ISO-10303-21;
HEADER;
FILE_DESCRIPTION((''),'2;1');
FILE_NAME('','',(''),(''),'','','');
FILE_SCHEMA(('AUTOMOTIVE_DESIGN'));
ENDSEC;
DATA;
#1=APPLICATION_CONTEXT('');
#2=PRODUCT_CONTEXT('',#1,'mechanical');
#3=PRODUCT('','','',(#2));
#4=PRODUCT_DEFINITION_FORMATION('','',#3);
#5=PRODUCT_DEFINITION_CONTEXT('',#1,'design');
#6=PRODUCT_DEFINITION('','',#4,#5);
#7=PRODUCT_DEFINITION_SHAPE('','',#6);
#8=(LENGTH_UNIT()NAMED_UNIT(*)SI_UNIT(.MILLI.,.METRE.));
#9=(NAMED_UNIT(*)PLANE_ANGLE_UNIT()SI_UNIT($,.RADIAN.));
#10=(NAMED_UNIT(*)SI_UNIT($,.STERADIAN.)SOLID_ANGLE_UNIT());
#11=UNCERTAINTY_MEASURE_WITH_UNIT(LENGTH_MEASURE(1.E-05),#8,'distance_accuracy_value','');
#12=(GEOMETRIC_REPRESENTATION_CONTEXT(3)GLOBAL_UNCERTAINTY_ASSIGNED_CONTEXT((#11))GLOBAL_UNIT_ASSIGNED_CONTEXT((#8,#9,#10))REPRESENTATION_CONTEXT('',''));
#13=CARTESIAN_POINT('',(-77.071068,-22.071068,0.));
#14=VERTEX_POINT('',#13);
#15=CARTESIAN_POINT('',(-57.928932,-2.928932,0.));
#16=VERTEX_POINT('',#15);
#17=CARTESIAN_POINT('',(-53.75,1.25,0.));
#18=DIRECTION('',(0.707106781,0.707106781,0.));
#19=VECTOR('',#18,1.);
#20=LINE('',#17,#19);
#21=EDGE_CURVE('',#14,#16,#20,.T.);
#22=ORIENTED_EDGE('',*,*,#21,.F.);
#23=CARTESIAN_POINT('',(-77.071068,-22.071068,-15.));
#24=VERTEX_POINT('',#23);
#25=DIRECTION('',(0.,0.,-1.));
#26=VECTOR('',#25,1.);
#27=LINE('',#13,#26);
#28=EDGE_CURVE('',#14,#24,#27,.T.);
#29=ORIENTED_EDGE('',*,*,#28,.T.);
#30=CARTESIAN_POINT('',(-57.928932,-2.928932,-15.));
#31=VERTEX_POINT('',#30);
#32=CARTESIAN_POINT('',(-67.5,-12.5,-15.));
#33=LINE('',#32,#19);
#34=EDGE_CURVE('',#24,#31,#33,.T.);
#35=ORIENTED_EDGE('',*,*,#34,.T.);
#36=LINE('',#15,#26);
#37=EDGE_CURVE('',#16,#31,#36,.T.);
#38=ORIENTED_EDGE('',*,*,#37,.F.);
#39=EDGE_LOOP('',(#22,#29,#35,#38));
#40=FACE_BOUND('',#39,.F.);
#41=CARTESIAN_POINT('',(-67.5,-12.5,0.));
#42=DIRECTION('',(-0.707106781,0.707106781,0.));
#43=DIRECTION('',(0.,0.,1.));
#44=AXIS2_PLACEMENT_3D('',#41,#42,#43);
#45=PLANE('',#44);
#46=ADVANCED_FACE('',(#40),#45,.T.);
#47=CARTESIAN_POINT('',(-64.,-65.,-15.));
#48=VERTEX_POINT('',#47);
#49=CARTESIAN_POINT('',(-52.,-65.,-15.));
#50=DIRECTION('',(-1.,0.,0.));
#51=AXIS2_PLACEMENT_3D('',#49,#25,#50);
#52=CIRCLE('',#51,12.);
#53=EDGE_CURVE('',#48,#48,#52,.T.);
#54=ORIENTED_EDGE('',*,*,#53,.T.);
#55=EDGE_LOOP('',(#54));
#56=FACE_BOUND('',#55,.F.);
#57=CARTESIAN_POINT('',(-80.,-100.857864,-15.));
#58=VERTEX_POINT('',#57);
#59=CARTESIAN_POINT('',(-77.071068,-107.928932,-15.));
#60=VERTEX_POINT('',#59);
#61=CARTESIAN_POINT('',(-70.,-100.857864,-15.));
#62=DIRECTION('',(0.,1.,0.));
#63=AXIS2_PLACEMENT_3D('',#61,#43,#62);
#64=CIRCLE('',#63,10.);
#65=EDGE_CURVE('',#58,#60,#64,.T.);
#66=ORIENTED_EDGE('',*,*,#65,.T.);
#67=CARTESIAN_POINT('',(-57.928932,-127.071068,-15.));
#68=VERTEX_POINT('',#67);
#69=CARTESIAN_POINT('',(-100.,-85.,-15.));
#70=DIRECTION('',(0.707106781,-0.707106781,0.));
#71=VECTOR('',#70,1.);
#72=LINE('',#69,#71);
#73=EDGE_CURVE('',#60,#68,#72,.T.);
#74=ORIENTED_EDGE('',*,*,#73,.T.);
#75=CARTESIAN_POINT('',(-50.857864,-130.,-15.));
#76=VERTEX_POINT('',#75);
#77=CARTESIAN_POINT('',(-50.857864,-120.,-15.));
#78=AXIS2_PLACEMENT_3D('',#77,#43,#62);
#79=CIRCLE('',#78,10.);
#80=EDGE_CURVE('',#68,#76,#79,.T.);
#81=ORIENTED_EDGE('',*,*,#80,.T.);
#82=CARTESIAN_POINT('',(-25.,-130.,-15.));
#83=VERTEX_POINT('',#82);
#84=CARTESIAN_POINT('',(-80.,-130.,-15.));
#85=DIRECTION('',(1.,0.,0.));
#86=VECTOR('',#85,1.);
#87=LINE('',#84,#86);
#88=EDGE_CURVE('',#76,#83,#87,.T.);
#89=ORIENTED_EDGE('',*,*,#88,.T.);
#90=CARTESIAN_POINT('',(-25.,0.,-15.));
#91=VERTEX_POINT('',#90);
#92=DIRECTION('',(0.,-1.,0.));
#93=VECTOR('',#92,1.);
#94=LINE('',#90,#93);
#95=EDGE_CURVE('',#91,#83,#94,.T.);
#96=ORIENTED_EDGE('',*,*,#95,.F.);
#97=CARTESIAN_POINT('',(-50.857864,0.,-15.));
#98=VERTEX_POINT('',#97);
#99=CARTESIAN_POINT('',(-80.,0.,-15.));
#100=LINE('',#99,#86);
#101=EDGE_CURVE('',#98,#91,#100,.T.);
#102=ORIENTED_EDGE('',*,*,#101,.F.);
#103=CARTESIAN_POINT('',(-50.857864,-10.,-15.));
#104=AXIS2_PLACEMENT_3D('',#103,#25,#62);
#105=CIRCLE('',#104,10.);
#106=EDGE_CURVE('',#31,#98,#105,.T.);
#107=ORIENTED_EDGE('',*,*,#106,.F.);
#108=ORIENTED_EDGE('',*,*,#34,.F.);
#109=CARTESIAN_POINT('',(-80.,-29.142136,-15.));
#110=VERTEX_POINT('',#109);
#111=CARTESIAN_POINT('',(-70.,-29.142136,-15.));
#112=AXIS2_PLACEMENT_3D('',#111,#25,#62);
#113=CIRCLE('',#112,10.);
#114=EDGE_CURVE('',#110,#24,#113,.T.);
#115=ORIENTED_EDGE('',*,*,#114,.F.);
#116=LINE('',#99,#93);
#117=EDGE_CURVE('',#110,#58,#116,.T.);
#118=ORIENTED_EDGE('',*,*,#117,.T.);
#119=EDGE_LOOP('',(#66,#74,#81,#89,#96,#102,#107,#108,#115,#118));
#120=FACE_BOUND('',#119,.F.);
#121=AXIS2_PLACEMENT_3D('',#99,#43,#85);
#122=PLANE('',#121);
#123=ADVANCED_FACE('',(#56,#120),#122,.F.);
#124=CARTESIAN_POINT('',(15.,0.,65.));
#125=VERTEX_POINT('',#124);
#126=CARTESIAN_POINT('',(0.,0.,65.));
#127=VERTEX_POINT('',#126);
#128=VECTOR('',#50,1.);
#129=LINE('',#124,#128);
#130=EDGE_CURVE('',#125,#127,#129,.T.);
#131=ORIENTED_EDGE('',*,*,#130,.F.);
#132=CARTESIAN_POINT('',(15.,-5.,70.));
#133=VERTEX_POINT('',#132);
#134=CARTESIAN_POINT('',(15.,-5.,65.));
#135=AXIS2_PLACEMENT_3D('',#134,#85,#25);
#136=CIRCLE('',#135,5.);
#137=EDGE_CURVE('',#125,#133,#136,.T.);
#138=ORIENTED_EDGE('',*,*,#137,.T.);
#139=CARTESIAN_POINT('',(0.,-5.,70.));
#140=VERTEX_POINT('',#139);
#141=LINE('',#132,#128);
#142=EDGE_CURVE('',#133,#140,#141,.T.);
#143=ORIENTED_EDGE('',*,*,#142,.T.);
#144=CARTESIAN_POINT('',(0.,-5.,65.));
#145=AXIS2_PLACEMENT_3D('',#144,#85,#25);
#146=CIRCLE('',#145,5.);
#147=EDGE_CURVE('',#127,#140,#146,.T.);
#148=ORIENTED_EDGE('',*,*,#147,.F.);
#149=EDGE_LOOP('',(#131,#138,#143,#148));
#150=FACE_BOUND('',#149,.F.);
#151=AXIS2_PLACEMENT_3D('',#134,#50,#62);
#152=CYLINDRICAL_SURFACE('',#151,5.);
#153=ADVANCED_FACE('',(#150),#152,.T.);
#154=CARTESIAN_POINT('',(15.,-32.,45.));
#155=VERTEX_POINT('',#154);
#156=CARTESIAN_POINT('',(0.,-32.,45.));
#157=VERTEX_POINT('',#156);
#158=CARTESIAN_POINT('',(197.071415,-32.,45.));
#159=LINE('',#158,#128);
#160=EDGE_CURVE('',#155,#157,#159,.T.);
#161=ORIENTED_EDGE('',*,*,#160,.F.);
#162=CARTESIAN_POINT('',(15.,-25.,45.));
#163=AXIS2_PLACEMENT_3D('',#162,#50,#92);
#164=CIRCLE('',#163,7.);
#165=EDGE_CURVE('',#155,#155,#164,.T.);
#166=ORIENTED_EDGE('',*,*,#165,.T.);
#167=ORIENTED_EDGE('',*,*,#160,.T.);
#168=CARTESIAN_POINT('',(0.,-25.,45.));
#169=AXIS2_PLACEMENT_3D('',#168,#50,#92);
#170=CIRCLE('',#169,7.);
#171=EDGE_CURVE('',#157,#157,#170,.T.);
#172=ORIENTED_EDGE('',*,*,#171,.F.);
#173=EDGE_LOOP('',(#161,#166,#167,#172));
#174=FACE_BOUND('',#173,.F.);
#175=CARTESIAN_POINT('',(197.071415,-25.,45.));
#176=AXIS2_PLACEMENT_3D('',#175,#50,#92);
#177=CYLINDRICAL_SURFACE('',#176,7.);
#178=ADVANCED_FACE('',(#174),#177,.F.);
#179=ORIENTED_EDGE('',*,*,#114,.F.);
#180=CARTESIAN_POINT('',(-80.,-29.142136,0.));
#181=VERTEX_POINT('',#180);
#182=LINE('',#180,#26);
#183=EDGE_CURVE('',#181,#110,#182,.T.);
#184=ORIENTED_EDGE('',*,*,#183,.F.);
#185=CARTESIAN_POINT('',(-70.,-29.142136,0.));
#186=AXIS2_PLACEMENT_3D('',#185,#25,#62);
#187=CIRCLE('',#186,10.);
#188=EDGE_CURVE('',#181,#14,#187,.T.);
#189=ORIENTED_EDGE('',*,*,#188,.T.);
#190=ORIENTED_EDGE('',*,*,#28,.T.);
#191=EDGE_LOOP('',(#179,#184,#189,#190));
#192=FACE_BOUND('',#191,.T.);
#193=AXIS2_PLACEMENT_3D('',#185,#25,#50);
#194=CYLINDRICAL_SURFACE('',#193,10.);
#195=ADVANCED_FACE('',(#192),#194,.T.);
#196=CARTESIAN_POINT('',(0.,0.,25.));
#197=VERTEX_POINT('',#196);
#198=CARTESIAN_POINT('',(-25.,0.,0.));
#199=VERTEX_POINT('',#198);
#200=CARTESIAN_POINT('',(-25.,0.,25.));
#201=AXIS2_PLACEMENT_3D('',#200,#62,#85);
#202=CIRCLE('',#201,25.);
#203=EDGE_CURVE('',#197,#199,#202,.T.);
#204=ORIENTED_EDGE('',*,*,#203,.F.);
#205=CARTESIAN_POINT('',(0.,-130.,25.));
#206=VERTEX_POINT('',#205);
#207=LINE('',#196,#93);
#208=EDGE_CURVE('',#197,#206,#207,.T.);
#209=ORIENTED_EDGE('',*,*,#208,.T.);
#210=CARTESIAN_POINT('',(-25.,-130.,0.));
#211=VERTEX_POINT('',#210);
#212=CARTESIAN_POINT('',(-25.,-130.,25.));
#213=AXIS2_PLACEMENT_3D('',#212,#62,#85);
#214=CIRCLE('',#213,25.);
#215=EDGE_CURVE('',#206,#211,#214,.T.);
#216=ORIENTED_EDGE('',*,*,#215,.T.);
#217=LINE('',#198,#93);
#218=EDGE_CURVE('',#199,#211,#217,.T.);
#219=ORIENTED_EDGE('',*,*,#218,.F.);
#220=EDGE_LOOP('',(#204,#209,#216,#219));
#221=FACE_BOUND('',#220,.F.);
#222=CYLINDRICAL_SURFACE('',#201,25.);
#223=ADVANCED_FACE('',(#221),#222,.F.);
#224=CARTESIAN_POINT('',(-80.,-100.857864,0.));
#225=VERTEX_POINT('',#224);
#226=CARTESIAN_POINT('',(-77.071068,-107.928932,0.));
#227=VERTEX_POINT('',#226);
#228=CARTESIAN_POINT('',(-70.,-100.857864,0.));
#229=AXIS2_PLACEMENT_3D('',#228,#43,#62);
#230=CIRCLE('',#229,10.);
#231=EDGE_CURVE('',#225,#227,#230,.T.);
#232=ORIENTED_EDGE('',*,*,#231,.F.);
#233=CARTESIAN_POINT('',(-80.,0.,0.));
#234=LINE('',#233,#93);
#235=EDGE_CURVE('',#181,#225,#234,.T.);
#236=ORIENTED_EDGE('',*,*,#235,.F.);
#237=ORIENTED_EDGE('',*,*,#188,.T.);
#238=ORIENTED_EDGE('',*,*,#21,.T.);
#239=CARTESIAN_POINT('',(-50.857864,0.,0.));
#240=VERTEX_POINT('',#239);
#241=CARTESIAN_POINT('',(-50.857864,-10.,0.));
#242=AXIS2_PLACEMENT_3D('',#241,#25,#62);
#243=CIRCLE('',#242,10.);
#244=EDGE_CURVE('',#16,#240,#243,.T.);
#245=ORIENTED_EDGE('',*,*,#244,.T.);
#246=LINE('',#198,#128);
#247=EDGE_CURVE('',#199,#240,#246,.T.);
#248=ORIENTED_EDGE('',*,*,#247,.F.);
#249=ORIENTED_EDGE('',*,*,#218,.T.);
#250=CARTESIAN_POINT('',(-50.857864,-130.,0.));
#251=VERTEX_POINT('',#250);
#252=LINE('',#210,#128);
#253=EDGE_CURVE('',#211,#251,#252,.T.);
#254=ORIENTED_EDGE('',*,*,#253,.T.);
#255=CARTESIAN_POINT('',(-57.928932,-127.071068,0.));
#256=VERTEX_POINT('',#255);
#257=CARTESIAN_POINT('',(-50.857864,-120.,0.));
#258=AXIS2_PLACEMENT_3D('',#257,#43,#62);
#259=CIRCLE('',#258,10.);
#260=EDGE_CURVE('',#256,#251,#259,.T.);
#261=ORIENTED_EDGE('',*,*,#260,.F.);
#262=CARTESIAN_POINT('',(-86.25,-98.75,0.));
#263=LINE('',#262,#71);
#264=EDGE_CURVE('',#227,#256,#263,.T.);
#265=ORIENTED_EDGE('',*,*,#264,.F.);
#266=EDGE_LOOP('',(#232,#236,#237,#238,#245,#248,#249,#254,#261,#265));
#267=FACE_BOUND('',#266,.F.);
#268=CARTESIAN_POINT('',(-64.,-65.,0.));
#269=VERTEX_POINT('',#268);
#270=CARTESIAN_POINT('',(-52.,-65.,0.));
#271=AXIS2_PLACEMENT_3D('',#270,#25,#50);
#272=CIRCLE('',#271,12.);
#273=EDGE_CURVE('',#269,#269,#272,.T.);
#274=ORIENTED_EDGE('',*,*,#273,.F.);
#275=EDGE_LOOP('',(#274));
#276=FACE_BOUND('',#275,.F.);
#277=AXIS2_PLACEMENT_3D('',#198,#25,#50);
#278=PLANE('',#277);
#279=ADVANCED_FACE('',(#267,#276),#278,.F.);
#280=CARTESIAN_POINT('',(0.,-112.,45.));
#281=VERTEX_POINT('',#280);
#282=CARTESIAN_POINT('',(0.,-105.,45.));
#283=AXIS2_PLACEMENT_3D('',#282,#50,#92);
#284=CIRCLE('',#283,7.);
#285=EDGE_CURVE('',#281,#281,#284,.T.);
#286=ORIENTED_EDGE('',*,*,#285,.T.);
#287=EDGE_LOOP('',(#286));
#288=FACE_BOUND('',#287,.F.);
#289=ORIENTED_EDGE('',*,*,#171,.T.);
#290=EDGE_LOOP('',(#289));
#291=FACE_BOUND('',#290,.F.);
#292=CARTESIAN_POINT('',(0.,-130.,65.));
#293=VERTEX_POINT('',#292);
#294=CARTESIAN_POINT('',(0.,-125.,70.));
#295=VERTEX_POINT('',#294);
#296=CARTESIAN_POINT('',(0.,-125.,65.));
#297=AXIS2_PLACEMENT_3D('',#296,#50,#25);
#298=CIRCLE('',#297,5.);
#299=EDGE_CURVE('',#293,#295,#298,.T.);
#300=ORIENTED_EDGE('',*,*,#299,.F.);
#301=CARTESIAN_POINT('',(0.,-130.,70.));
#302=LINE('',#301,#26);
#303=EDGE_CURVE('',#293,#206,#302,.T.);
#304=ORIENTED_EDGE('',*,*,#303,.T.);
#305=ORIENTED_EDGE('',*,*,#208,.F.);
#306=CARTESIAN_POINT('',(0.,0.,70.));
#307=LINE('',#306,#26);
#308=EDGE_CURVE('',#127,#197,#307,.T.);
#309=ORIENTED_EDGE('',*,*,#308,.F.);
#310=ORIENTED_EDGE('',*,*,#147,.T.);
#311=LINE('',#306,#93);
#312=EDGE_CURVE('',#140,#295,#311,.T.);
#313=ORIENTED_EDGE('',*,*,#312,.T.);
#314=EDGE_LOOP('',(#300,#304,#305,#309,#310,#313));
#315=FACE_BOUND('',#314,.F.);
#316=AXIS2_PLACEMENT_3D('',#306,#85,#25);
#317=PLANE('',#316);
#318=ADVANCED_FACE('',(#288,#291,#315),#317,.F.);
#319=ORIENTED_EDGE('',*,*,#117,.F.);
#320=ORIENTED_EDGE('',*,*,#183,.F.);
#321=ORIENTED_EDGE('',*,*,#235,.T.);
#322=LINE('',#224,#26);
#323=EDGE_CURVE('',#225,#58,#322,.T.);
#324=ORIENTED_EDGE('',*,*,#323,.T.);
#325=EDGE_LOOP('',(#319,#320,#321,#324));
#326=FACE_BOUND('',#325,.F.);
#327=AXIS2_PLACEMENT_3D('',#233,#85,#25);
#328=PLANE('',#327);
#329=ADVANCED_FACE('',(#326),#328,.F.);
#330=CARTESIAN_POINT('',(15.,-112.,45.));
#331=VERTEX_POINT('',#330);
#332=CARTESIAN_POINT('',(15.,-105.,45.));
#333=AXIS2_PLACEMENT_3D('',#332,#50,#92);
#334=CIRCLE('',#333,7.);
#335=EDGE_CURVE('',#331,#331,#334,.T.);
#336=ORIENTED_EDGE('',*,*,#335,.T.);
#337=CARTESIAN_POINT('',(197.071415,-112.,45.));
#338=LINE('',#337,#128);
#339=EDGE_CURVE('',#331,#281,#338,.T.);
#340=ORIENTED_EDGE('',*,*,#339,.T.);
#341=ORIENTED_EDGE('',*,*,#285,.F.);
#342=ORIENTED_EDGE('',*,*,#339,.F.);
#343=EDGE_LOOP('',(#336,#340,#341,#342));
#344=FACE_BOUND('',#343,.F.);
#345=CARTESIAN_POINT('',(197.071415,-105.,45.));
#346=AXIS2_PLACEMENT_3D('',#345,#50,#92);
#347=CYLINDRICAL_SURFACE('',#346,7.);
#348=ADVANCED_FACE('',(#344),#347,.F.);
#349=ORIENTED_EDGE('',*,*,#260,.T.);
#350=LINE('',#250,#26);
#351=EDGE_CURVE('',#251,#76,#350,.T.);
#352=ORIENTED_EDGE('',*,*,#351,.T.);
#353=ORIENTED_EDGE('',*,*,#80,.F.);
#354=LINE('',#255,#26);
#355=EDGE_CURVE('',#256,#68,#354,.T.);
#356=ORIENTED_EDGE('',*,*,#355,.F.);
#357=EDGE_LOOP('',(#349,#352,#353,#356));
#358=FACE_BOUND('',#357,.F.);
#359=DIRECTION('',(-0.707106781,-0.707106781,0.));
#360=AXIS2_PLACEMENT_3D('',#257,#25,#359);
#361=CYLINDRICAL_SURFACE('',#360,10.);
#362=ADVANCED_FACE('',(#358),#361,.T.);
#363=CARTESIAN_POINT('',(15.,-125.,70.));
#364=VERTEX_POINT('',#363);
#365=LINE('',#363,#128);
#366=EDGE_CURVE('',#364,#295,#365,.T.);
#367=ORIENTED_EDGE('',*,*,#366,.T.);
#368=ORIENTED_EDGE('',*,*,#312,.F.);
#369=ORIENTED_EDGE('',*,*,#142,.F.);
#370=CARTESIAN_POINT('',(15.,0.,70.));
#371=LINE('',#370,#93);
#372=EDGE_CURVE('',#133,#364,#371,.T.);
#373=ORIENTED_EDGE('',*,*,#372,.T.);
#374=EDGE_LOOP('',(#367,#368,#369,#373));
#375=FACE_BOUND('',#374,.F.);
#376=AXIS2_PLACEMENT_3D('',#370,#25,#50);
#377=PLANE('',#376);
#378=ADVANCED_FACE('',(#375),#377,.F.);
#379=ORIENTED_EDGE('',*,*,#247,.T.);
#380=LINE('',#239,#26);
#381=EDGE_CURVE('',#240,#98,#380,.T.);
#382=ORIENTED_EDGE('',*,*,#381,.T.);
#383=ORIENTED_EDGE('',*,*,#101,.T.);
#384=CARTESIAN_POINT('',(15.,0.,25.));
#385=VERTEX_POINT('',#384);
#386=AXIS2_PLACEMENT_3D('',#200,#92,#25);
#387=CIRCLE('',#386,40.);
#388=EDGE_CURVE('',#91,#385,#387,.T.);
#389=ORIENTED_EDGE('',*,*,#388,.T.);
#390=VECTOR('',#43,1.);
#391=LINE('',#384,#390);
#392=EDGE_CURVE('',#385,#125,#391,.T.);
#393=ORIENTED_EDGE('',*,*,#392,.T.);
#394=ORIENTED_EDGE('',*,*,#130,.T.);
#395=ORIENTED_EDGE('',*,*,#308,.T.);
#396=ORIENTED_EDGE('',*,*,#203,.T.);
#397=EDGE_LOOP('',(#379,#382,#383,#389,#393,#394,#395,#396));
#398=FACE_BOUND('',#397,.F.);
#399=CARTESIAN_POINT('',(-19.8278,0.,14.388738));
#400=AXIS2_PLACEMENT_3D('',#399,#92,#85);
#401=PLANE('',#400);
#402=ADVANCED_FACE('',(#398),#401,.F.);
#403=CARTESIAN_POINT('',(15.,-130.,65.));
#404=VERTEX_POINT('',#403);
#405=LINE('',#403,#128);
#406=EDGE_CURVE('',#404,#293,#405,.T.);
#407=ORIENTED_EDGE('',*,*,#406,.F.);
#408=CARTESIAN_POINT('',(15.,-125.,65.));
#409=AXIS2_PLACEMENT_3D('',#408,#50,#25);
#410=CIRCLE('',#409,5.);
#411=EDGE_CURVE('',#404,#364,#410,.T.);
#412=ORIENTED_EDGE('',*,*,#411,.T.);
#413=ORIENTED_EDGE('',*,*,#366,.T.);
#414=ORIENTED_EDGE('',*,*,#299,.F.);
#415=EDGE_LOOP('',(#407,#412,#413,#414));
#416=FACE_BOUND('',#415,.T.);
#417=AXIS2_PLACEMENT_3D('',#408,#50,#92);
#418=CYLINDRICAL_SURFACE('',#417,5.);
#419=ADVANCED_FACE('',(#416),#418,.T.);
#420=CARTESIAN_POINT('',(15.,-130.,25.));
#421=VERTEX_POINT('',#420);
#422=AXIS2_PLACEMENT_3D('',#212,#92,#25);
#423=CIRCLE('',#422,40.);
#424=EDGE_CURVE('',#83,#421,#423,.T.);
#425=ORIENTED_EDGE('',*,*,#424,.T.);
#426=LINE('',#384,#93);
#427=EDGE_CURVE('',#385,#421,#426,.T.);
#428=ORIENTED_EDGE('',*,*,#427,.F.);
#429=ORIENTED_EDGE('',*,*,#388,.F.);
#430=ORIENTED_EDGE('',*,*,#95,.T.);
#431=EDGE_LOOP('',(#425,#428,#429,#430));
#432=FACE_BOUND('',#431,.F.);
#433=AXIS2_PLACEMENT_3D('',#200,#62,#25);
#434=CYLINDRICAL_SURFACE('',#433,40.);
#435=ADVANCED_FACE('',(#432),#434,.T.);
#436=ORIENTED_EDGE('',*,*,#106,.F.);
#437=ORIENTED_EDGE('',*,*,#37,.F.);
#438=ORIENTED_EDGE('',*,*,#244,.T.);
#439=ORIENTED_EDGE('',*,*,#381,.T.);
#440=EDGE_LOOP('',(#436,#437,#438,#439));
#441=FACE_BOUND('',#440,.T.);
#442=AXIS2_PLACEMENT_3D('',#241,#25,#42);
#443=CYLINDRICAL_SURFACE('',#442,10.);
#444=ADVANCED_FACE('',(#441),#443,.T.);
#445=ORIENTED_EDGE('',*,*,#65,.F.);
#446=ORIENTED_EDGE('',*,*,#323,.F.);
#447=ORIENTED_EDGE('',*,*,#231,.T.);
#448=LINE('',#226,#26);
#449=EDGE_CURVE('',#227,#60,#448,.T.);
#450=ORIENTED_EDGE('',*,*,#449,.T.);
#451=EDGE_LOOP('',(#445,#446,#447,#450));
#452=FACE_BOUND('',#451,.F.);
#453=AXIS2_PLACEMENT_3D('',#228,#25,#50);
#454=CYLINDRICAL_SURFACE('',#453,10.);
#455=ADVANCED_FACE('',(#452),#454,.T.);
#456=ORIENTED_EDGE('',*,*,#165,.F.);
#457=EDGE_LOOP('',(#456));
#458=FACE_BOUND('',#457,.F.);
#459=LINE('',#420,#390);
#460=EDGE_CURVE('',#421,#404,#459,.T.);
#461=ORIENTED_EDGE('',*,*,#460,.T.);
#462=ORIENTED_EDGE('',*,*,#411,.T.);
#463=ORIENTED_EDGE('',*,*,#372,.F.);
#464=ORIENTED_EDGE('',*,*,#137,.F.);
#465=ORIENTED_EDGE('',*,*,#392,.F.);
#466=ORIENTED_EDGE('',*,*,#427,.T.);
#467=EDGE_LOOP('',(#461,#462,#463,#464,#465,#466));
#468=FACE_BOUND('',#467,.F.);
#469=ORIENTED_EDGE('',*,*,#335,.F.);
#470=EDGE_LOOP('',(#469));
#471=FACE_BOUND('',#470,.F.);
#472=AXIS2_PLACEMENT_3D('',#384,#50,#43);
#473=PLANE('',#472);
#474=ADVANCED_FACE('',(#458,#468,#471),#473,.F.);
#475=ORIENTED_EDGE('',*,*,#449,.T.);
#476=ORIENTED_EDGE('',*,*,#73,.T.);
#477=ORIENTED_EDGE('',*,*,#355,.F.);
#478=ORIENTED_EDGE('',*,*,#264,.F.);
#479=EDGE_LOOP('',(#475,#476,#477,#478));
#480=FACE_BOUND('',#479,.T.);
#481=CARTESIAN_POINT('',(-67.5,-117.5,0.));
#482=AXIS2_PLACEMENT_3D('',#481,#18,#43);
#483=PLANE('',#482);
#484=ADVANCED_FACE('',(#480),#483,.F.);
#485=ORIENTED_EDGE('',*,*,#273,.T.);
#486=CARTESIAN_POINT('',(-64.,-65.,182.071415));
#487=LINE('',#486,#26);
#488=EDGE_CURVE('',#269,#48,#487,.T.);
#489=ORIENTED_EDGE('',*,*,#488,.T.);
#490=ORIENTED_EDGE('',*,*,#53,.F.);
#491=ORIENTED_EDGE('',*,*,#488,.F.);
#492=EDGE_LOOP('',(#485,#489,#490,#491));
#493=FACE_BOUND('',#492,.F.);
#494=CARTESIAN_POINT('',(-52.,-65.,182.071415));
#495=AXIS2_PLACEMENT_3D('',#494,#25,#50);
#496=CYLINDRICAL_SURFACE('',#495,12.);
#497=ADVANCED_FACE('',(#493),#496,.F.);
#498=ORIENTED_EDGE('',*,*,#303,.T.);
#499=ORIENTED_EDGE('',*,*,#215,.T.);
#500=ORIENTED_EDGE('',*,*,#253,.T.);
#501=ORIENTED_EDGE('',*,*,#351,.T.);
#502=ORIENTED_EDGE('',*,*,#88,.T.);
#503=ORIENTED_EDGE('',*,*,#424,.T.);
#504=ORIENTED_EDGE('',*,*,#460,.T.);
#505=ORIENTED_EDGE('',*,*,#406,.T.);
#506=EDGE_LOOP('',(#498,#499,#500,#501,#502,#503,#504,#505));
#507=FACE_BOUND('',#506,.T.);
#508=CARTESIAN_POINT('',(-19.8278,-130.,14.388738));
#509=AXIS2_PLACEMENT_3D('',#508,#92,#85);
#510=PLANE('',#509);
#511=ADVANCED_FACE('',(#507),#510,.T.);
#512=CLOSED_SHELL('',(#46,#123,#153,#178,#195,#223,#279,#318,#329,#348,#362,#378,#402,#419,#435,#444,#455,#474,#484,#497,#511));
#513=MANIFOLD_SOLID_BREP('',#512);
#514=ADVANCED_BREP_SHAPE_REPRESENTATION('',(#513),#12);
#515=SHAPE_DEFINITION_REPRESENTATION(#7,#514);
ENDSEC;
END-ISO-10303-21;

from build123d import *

# Parameters (mm, degrees)
F1_DEPTH = 130
F2_SIZE  = 25
F4_D     = 24
F6_D     = 14
F7_R     = 10
F8_R     = 5


with BuildPart() as f1:
    # F0 (on Front) → F1 (new body)
    with BuildSketch(Plane.XZ):
        with BuildLine():
            Line((15, 70), (0, 70))
            Line((0, 70), (0, 25))
            ThreePointArc((0, 25), (-7.3223304703, 7.3223304703), (-25, 0))
            Line((-25, 0), (-80, 0))
            Line((-80, 0), (-80, -15))
            Line((-80, -15), (-25, -15))
            ThreePointArc((-25, -15), (3.2842712475, -3.2842712475), (15, 25))
            Line((15, 25), (15, 70))
        make_face()
    extrude(amount=F1_DEPTH)

    # F2
    f2_edges = [f1.edges().sort_by_distance(p)[0] for p in [
        (-80, -130, -7.5),
        (-80, 0, -7.5),
    ]]
    chamfer(f2_edges, length=F2_SIZE)

    # F4 (through all)
    with Locations(Plane.XY):
        with Locations((-52, -65)):
            Hole(F4_D / 2)

    # F6 (through all)
    with Locations(Plane.YZ.offset(15)):
        with Locations((-105, 45), (-25, 45)):
            Hole(F6_D / 2)

    # F7
    f7_edges = [f1.edges().sort_by_distance(p)[0] for p in [
        (-55, 0, -7.5),
        (-80, -25, -7.5),
        (-80, -105, -7.5),
        (-55, -130, -7.5),
    ]]
    fillet(f7_edges, radius=F7_R)

    # F8
    f8_edges = [f1.edges().sort_by_distance(p)[0] for p in [
        (7.5, -130, 70),
        (7.5, 0, 70),
    ]]
    fillet(f8_edges, radius=F8_R)


solid = f1.part
